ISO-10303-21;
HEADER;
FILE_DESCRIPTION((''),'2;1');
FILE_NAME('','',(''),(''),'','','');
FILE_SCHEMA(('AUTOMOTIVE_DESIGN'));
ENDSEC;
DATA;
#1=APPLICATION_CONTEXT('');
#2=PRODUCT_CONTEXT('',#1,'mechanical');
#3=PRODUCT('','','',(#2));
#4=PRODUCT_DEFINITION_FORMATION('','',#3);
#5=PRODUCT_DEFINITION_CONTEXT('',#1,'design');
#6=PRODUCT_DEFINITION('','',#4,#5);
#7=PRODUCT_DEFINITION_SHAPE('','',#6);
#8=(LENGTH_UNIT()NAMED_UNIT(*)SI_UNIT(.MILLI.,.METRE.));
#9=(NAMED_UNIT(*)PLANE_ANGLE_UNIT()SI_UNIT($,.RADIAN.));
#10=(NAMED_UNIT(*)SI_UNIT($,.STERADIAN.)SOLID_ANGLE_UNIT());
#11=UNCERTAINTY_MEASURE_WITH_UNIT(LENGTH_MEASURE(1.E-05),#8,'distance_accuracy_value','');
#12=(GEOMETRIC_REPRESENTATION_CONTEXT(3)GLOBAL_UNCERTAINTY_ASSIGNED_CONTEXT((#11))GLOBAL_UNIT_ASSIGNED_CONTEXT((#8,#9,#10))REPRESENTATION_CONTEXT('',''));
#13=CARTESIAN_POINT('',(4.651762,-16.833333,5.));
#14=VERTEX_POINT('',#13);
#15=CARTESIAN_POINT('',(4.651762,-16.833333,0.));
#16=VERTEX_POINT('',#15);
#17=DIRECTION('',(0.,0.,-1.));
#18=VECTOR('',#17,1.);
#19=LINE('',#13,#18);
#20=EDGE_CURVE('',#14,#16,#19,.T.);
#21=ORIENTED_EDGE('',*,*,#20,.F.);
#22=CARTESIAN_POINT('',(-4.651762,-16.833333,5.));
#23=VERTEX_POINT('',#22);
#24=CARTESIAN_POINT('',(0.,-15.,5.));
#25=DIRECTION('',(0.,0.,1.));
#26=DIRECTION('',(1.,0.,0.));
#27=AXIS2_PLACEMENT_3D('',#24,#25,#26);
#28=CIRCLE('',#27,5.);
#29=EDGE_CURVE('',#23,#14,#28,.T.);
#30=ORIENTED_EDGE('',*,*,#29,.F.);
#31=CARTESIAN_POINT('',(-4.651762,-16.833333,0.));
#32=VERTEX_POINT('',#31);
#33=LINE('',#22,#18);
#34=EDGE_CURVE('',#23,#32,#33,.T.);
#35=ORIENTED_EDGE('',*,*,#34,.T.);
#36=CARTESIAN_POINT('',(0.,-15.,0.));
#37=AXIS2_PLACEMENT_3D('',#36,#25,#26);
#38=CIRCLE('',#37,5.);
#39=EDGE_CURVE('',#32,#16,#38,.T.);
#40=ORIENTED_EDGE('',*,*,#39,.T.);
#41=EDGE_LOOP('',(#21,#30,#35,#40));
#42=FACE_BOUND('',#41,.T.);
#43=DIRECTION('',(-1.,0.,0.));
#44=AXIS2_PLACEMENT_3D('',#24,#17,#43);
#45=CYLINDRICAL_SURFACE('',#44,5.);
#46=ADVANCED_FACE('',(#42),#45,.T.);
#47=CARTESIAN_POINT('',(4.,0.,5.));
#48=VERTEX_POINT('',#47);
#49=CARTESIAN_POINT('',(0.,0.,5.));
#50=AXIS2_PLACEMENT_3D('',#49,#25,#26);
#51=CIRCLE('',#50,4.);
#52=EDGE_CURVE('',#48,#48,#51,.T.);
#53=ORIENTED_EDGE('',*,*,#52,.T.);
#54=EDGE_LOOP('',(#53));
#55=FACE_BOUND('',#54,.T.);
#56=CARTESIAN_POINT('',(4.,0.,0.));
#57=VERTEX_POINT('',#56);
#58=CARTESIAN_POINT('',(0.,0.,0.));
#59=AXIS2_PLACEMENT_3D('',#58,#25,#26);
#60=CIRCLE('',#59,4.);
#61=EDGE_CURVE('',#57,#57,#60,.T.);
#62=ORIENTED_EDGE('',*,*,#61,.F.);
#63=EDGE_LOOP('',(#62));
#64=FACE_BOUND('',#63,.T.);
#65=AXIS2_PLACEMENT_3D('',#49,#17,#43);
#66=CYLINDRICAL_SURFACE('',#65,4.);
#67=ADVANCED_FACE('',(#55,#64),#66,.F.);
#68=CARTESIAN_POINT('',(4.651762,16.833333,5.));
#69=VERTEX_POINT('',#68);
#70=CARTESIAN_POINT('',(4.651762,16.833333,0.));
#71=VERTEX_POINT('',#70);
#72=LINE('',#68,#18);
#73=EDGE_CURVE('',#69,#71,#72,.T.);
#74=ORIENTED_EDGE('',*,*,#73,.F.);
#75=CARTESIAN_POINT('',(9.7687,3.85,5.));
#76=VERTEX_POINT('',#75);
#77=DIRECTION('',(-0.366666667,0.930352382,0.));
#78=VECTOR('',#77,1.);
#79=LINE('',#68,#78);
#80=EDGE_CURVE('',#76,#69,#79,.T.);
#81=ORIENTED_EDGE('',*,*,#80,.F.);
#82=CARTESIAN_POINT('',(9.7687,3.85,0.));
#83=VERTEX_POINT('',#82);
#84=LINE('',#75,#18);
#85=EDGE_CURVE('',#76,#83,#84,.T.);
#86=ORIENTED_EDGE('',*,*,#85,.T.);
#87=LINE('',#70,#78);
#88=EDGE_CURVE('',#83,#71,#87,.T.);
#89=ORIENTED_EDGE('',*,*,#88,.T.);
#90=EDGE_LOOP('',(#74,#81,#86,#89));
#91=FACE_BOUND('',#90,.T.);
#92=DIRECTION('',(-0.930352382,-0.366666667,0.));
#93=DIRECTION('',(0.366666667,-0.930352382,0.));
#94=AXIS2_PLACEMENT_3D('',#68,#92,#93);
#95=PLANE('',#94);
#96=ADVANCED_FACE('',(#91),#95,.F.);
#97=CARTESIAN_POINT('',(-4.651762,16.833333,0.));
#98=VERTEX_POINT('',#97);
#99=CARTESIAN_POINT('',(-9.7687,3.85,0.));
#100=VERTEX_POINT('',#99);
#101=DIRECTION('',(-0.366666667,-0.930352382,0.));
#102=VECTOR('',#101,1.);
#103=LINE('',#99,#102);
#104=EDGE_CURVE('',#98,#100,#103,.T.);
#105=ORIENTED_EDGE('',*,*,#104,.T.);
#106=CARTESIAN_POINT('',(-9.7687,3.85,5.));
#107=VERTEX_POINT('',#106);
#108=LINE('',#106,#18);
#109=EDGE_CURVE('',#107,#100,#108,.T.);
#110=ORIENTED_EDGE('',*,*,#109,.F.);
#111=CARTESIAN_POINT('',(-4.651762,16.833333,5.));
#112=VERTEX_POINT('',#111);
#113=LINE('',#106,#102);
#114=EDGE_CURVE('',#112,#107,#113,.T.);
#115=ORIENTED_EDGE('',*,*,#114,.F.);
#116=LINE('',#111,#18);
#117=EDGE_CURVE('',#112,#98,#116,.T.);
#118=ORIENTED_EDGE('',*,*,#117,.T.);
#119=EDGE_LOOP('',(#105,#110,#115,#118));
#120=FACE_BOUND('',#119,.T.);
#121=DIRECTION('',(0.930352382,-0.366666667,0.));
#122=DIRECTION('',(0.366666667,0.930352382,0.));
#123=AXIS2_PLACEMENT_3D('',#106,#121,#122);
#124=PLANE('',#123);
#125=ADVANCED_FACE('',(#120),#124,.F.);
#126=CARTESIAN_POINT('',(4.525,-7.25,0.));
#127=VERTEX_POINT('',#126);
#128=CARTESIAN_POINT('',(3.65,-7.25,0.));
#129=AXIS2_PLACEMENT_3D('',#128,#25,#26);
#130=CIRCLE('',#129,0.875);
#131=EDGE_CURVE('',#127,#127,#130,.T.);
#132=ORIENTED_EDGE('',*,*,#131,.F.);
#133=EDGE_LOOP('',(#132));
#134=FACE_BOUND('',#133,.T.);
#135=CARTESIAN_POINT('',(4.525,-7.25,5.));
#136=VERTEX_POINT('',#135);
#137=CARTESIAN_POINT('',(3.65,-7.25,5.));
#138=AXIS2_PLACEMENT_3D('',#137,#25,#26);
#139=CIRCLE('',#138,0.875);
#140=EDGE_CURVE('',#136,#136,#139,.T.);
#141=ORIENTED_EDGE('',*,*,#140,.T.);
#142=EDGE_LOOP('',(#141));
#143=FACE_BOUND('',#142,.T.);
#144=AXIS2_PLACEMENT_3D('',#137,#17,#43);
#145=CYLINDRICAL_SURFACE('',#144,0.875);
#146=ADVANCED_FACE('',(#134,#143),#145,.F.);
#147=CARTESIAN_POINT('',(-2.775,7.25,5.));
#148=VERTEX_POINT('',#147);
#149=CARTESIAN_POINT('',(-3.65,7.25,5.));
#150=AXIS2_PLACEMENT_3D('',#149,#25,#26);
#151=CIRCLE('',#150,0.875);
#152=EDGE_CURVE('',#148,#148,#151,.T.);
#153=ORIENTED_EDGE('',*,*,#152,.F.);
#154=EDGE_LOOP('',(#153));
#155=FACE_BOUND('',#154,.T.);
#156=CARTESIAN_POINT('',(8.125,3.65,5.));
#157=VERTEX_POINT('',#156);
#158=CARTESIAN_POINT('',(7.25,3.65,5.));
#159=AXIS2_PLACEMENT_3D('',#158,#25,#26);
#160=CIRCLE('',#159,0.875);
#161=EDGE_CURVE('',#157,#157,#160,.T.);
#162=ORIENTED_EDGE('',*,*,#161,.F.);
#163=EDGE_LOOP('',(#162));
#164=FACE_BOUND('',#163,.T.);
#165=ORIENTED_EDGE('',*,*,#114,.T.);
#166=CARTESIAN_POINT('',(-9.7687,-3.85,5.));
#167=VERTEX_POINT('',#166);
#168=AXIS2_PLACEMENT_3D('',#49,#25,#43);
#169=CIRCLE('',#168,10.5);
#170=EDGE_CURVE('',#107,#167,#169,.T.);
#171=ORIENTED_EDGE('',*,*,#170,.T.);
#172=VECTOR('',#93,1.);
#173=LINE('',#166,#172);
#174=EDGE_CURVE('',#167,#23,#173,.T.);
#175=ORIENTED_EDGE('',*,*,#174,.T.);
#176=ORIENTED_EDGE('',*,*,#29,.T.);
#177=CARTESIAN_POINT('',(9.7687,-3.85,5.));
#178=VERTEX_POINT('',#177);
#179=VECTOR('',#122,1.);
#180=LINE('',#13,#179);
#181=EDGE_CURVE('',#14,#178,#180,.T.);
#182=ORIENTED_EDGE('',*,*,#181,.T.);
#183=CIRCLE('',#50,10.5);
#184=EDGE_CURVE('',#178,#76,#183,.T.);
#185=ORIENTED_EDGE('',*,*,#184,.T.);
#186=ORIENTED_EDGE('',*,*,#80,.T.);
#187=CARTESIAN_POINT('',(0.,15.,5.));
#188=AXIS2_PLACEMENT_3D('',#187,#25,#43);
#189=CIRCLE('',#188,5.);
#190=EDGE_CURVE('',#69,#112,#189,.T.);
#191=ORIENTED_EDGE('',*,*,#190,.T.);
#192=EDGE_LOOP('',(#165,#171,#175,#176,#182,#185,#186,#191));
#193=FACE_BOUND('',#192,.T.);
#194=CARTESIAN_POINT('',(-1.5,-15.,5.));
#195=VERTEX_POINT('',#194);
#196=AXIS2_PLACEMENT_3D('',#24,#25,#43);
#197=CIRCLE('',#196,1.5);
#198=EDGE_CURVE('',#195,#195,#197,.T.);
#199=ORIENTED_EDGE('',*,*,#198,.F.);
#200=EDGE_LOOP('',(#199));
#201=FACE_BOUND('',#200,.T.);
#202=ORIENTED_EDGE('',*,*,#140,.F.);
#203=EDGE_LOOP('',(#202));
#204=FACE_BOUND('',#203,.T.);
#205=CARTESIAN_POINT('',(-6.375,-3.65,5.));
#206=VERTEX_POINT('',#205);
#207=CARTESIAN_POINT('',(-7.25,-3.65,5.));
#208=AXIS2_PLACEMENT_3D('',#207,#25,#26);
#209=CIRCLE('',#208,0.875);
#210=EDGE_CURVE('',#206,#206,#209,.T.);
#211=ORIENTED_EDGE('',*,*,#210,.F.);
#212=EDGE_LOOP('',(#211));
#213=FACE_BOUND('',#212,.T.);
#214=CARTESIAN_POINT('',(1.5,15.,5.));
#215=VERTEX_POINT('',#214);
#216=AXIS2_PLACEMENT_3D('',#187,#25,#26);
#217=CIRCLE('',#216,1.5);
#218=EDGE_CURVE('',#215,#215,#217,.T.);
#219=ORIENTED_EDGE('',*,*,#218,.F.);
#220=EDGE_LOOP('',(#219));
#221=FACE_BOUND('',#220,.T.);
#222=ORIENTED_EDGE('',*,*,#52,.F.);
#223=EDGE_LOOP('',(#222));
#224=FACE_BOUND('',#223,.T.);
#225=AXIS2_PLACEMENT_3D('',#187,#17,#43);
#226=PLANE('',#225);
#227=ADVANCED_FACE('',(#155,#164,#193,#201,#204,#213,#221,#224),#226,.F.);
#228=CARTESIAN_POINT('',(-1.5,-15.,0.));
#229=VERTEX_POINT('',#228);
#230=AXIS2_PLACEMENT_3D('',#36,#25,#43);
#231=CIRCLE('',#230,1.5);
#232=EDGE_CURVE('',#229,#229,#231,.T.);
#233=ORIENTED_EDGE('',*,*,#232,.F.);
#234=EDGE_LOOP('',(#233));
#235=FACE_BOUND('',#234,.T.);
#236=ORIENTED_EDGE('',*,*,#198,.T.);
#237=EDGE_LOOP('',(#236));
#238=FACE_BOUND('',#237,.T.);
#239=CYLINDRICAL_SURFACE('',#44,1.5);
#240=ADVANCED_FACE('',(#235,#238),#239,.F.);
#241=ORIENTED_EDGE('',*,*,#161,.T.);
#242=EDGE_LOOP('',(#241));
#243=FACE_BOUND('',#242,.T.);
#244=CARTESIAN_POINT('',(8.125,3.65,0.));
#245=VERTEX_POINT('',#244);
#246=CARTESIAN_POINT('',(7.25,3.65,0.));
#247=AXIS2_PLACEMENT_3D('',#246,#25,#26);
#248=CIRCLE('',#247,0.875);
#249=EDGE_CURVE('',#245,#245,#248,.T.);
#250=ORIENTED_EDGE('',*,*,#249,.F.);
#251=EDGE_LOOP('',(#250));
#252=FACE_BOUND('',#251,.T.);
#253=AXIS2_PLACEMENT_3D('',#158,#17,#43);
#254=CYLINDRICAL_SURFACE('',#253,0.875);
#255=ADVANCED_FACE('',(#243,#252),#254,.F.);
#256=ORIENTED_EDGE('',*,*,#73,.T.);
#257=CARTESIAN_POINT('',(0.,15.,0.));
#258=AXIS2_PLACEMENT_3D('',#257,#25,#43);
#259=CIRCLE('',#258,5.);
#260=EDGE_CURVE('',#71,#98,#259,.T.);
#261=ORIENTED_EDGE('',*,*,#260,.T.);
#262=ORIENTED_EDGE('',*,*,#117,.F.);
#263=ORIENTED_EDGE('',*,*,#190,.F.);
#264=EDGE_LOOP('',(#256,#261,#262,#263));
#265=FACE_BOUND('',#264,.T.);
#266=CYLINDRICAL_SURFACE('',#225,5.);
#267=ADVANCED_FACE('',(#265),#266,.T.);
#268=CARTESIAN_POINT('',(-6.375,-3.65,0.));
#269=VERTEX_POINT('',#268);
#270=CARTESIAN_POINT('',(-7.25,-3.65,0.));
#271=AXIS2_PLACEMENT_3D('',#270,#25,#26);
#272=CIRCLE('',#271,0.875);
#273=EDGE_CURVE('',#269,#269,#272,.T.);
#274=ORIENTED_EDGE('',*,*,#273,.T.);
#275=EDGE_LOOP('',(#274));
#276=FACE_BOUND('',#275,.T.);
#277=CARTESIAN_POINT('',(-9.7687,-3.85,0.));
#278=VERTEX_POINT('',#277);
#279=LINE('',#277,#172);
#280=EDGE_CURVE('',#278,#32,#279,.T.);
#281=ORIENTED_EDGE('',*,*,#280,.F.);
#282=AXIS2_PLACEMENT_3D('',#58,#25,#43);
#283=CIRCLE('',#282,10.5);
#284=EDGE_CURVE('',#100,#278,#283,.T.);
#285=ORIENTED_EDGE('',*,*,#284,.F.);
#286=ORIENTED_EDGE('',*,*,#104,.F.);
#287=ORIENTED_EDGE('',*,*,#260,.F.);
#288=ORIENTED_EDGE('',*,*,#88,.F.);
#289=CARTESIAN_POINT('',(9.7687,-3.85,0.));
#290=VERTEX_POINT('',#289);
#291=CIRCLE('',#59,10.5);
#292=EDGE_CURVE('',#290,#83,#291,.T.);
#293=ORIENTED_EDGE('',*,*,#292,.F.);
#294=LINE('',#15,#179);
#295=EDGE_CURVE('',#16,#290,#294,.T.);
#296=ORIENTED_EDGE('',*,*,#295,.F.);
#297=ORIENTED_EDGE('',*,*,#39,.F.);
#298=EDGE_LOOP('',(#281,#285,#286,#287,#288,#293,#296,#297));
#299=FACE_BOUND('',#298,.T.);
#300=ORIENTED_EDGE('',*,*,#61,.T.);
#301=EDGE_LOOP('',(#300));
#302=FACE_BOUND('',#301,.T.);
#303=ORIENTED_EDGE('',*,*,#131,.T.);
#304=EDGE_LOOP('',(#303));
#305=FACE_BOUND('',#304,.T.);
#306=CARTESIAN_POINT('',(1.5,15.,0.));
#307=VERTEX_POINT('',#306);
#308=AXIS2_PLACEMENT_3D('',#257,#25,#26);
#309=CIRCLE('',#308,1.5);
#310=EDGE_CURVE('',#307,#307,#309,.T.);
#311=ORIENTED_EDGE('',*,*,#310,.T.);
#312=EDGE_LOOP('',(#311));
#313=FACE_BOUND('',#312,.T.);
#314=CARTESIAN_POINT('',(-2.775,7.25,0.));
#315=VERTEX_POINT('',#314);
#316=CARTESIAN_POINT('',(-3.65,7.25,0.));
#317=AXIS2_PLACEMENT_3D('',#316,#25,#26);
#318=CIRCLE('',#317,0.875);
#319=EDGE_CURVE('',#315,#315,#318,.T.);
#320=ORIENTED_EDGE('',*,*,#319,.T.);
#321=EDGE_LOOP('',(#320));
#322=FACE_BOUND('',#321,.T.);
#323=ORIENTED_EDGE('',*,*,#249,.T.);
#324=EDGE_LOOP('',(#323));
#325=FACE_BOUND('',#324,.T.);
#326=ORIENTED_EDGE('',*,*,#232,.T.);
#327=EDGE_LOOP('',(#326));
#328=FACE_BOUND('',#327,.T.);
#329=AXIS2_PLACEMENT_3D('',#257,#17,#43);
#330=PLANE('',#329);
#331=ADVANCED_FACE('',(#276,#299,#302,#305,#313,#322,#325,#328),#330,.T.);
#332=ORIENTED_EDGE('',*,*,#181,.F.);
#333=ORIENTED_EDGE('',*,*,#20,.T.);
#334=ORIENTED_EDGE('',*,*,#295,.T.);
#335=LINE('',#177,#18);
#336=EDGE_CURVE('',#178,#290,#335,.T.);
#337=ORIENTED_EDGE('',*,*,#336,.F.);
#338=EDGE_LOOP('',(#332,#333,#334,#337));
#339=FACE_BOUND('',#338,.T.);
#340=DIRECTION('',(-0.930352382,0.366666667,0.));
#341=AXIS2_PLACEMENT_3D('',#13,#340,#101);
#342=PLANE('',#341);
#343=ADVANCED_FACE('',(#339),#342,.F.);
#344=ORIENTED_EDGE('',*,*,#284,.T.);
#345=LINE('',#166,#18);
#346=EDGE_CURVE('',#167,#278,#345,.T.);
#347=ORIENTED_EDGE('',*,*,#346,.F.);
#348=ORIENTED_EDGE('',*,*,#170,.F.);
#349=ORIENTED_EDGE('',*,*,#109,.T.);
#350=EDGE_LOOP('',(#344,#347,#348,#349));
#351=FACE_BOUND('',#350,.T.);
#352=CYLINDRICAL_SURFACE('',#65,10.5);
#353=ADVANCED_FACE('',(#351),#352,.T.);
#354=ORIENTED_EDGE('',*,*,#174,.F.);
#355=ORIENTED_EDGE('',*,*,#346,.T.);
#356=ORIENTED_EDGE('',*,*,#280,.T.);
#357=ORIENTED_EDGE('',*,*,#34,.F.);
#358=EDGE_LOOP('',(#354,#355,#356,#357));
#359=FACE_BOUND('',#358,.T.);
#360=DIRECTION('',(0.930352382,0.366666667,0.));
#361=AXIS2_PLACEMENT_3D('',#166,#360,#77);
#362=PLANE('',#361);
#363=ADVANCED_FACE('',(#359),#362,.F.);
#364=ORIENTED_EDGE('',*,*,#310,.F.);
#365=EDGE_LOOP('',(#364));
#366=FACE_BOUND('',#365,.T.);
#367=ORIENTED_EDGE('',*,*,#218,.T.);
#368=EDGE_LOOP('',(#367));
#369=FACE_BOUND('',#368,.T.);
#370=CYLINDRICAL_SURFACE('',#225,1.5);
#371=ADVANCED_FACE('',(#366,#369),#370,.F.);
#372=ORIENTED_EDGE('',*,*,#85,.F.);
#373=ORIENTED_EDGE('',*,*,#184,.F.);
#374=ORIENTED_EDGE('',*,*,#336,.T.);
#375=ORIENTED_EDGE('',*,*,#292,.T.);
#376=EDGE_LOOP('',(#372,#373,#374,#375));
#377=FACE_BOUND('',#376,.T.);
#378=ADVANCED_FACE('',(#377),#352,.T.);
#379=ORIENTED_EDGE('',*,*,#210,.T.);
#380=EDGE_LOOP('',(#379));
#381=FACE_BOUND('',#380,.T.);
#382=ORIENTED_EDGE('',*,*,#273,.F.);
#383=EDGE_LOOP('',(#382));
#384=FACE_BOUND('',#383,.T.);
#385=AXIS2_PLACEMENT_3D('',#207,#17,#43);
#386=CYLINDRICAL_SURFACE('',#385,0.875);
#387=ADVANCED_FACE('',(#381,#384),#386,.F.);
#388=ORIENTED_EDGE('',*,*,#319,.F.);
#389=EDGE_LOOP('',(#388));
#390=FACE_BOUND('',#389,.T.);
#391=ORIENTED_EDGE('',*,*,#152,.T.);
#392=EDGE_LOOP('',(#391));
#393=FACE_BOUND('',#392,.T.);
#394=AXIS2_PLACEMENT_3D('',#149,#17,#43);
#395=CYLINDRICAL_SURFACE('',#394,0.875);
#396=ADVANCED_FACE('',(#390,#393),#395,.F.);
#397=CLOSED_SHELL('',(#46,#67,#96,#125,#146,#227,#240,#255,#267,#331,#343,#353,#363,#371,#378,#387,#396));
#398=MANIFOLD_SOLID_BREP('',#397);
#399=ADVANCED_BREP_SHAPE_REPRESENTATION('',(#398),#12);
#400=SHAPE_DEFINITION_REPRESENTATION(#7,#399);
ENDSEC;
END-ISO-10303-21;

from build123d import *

# Parameters (mm, degrees)
ESQUISSE1_R        = 4
ESQUISSE1_R_2      = 0.875
ESQUISSE1_R_3      = 1.5
BOSS_EXTRU_1_DEPTH = 5


with BuildPart() as part:
    # Esquisse1 → Boss.-Extru.1 (new body)
    with BuildSketch(Plane.XY):
        with BuildLine():
            Line((-9.768700016, 3.85), (-4.651761912, 16.833333333))
            ThreePointArc((-4.651761912, 16.833333333), (0, 20), (4.651761912, 16.833333333))
            Line((4.651761912, 16.833333333), (9.768700016, 3.85))
            ThreePointArc((9.768700016, 3.85), (10.5, 0), (9.768700016, -3.85))
            Line((9.768700016, -3.85), (4.651761912, -16.833333333))
            ThreePointArc((4.651761912, -16.833333333), (0, -20), (-4.651761912, -16.833333333))
            Line((-4.651761912, -16.833333333), (-9.768700016, -3.85))
            ThreePointArc((-9.768700016, -3.85), (-10.5, 0), (-9.768700016, 3.85))
        make_face()
        Circle(ESQUISSE1_R, mode=Mode.SUBTRACT)
        with Locations((7.25, 3.65)):
            Circle(ESQUISSE1_R_2, mode=Mode.SUBTRACT)
        with Locations((3.65, -7.25)):
            Circle(ESQUISSE1_R_2, mode=Mode.SUBTRACT)
        with Locations((-7.25, -3.65)):
            Circle(ESQUISSE1_R_2, mode=Mode.SUBTRACT)
        with Locations((-3.65, 7.25)):
            Circle(ESQUISSE1_R_2, mode=Mode.SUBTRACT)
        with Locations((0, 15)):
            Circle(ESQUISSE1_R_3, mode=Mode.SUBTRACT)
        with Locations(Location((0, -15, 0), (0, 0, 180))):
            Circle(ESQUISSE1_R_3, mode=Mode.SUBTRACT)
    extrude(amount=BOSS_EXTRU_1_DEPTH)


solid = part.part
